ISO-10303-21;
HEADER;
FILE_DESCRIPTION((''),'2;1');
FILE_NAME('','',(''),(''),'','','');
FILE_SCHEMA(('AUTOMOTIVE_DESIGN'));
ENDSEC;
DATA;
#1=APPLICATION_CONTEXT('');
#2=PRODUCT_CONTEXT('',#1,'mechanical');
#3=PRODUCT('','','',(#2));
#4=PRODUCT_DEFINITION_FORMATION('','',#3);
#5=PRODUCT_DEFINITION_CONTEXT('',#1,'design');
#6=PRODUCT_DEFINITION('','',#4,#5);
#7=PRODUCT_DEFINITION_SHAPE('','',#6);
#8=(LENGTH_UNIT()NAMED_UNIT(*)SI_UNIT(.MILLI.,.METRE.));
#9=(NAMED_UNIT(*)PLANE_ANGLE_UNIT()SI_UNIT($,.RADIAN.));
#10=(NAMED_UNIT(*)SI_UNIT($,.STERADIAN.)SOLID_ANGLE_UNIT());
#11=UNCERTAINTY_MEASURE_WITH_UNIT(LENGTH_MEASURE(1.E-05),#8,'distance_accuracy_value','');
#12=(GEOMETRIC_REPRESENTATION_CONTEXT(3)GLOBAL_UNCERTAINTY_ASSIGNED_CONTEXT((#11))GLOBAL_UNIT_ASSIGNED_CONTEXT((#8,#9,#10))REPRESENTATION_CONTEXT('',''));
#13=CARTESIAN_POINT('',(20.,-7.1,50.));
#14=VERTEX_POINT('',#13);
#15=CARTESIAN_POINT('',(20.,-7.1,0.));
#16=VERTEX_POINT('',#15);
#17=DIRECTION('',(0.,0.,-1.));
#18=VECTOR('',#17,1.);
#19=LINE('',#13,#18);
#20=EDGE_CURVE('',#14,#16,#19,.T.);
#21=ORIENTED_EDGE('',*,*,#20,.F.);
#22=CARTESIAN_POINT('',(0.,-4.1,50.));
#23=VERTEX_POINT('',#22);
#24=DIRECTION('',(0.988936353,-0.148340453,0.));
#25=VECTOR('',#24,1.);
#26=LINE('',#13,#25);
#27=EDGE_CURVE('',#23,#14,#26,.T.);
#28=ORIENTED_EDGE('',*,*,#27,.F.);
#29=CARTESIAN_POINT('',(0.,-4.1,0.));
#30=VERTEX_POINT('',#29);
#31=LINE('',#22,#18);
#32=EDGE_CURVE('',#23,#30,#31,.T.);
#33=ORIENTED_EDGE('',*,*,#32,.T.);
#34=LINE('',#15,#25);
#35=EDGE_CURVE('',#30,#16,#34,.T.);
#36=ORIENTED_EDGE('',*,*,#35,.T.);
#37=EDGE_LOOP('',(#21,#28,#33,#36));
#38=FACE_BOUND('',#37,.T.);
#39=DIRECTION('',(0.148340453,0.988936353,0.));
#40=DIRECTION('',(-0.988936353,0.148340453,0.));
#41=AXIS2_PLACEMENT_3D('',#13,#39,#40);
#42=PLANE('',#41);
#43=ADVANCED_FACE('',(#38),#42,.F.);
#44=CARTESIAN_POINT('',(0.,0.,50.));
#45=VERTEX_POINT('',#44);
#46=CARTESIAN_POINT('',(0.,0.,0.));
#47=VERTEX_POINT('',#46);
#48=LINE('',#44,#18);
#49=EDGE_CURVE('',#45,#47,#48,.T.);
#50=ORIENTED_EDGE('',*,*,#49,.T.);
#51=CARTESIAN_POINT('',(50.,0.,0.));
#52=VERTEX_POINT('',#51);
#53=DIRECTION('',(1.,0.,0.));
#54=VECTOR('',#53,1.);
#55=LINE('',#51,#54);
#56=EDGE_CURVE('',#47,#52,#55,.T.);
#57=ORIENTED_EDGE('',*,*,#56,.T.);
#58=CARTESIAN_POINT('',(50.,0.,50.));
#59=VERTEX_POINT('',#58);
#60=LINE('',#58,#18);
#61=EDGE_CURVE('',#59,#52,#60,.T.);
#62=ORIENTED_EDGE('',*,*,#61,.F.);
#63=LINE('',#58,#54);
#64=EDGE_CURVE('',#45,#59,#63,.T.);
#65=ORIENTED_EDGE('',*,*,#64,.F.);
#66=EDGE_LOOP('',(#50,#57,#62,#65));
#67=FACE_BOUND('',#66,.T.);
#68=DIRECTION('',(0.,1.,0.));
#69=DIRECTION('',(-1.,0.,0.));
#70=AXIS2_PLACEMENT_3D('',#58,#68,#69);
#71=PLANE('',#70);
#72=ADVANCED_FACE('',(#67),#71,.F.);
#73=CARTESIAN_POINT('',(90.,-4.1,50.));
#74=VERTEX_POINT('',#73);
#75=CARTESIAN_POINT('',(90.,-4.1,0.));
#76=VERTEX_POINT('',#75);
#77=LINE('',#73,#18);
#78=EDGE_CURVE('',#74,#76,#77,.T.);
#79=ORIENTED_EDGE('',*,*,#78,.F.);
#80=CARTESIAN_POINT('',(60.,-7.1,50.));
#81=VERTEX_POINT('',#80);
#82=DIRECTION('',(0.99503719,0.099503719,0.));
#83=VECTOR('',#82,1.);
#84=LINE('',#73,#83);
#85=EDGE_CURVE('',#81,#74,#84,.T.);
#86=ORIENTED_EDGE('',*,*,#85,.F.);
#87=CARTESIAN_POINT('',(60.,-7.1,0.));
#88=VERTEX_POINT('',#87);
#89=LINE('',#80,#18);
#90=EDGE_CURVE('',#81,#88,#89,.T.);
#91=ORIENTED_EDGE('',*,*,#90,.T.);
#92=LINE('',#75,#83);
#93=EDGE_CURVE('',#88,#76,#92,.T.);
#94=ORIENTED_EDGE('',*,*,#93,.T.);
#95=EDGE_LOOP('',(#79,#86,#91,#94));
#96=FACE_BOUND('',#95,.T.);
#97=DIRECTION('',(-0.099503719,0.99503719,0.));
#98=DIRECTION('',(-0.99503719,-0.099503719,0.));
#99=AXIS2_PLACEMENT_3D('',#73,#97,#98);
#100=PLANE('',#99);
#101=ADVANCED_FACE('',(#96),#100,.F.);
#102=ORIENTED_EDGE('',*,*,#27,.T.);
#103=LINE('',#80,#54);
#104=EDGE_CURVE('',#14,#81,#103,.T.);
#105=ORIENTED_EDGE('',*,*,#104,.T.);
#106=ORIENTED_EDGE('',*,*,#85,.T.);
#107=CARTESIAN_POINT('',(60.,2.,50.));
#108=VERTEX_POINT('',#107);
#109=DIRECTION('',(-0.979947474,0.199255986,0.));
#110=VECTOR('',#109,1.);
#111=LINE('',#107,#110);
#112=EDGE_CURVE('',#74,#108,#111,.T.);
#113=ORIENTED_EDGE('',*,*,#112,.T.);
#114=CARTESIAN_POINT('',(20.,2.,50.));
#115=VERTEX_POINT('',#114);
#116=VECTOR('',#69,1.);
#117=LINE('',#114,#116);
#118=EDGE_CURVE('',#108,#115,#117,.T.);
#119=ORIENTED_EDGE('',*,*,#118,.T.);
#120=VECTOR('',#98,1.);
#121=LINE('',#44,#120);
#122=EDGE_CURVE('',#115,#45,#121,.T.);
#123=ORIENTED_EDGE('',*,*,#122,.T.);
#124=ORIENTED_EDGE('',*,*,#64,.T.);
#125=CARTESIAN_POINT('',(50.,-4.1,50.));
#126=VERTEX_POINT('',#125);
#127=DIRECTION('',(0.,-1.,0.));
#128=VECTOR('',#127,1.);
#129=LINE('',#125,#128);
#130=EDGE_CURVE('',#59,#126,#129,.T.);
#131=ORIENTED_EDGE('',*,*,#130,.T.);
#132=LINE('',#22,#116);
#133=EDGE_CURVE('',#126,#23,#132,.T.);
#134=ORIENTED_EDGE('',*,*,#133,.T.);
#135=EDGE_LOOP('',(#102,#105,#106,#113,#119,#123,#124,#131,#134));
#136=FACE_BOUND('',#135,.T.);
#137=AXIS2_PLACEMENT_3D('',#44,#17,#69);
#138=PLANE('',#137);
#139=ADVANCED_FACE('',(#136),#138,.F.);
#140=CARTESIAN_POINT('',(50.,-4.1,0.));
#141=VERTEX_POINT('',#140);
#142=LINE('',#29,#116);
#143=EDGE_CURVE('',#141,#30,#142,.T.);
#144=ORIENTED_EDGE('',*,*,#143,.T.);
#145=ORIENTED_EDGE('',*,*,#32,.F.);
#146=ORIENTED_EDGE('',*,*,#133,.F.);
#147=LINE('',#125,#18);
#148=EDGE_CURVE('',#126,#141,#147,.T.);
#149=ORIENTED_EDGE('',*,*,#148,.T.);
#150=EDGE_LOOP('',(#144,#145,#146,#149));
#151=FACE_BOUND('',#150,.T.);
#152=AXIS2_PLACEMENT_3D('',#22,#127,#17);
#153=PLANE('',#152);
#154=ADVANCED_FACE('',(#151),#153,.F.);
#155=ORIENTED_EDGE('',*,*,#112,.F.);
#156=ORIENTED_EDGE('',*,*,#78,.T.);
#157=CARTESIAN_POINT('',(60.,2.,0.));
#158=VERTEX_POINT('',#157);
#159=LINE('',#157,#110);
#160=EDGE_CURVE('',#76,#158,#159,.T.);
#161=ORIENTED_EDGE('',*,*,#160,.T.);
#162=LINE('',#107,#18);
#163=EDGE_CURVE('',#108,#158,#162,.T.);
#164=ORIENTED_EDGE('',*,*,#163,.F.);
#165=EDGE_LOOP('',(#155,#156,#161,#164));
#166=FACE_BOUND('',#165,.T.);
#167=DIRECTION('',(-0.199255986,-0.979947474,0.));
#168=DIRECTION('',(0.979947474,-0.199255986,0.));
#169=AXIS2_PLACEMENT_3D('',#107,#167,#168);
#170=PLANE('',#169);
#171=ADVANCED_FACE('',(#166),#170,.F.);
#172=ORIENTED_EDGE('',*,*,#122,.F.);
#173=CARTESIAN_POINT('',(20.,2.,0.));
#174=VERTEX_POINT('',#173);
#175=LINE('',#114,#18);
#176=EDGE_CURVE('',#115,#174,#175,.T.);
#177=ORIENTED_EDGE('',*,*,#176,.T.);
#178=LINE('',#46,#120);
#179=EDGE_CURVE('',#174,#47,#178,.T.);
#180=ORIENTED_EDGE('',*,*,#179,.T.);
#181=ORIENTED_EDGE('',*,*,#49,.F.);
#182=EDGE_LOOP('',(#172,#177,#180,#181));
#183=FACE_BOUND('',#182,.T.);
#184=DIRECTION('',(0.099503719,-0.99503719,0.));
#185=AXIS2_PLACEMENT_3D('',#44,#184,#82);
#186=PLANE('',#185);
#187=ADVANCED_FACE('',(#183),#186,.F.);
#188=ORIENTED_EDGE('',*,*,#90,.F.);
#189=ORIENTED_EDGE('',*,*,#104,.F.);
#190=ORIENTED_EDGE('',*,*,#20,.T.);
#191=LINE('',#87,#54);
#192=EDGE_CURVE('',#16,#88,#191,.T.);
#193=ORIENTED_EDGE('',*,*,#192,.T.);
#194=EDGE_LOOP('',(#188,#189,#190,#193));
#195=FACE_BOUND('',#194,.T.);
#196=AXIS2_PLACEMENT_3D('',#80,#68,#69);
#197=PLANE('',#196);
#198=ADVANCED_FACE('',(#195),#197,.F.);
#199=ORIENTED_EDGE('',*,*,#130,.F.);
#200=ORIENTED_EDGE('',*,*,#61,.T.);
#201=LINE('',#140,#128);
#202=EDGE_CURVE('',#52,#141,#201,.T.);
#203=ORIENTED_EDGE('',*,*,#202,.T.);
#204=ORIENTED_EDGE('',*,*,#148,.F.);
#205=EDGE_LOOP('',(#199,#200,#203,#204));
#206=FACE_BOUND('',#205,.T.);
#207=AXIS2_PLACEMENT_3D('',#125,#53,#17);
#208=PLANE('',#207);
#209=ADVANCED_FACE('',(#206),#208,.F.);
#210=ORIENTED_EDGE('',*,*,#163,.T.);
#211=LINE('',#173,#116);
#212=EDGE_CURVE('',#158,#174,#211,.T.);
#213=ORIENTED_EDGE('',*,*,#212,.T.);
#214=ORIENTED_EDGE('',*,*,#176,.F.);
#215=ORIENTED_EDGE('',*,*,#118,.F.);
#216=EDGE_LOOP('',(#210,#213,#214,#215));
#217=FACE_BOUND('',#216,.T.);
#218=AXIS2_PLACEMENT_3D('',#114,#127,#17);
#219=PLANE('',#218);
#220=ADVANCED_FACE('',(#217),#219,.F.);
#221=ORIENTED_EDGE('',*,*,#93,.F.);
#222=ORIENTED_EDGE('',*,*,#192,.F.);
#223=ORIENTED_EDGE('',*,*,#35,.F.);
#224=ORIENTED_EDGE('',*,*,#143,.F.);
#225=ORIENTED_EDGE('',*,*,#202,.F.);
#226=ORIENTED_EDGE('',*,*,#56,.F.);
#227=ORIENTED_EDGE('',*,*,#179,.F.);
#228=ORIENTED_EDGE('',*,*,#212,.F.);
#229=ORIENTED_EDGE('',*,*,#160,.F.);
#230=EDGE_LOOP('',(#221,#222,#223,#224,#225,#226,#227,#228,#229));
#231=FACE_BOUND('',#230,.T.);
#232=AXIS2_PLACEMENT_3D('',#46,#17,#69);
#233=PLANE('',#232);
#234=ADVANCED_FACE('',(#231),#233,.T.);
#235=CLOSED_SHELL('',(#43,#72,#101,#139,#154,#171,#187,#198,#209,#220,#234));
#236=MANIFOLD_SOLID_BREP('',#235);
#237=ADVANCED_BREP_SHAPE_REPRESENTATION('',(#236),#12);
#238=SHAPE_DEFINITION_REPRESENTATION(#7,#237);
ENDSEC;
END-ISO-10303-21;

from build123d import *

# Parameters (mm, degrees)
P_IDAT_VYSUNUT_M1_DEPTH = 50


with BuildPart() as part:
    # Skica1 → Přidat vysunutím1 (new body)
    with BuildSketch(Plane.XY):
        Polygon((0, 0), (20, 2), (60, 2), (90, -4.1), (60, -7.1), (20, -7.1), (0, -4.1), (50, -4.1), (50, 0), align=None)
    extrude(amount=P_IDAT_VYSUNUT_M1_DEPTH)


solid = part.part
